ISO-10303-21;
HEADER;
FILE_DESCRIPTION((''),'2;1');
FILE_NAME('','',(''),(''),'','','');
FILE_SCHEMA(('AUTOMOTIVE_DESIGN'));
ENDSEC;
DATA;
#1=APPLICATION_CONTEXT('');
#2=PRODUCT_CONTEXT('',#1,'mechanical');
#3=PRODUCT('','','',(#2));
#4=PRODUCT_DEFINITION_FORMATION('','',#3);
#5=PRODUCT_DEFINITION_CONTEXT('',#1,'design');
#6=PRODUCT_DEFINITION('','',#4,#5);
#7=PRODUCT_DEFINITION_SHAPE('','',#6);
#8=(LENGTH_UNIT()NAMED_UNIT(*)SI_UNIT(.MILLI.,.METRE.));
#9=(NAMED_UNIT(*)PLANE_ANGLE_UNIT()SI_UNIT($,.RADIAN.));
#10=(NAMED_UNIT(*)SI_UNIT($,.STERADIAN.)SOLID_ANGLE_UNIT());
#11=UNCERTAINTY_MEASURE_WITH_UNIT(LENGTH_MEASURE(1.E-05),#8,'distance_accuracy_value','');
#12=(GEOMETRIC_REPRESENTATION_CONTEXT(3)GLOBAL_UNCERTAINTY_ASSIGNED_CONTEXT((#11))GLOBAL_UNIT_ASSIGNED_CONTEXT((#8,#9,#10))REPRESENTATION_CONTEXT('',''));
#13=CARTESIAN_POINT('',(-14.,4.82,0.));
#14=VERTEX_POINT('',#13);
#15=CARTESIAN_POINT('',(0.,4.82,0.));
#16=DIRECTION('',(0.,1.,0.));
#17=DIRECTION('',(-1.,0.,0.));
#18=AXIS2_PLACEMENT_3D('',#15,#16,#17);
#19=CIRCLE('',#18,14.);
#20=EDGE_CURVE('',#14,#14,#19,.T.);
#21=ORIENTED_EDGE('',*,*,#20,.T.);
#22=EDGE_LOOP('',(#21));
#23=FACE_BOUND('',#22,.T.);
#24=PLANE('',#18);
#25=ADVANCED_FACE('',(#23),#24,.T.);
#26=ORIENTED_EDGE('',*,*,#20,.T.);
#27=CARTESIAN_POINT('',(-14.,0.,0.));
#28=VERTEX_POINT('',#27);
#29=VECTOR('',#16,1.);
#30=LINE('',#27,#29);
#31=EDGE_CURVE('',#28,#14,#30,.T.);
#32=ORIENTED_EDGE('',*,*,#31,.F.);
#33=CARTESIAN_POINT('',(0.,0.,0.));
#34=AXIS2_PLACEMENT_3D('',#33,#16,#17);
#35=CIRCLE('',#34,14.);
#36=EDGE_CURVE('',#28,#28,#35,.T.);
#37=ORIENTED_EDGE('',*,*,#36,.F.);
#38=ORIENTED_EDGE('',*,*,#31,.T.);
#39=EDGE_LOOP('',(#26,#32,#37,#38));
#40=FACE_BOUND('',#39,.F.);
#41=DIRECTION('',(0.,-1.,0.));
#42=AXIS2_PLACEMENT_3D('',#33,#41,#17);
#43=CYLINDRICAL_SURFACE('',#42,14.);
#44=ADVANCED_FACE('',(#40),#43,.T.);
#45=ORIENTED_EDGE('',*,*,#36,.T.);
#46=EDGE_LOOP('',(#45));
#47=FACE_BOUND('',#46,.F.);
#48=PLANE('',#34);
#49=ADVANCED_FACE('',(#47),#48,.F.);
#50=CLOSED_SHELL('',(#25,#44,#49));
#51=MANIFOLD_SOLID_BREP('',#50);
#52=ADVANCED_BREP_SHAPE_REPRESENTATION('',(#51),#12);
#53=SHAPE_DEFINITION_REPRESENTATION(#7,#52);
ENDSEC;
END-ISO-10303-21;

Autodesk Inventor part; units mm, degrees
ref_plane "YZ Plane" through (0, 0, 0) normal (1, 0, 0) x (0, 1, 0)
ref_plane "XZ Plane" through (0, 0, 0) normal (0, 1, 0) x (-1, 0, 0)
ref_plane "XY Plane" through (0, 0, 0) normal (0, 0, 1) x (1, 0, 0)
sketch "Sketch1" plane through (0, 0, 0) normal (0, 1, 0) x (-1, 0, 0)
  circle A0 centre (0, 0) radius 14
  dimension "d0" = 28
extrude "Extrusion1" add sketch "Sketch1" along normal blind 4.82
properties part number "Speaker"
